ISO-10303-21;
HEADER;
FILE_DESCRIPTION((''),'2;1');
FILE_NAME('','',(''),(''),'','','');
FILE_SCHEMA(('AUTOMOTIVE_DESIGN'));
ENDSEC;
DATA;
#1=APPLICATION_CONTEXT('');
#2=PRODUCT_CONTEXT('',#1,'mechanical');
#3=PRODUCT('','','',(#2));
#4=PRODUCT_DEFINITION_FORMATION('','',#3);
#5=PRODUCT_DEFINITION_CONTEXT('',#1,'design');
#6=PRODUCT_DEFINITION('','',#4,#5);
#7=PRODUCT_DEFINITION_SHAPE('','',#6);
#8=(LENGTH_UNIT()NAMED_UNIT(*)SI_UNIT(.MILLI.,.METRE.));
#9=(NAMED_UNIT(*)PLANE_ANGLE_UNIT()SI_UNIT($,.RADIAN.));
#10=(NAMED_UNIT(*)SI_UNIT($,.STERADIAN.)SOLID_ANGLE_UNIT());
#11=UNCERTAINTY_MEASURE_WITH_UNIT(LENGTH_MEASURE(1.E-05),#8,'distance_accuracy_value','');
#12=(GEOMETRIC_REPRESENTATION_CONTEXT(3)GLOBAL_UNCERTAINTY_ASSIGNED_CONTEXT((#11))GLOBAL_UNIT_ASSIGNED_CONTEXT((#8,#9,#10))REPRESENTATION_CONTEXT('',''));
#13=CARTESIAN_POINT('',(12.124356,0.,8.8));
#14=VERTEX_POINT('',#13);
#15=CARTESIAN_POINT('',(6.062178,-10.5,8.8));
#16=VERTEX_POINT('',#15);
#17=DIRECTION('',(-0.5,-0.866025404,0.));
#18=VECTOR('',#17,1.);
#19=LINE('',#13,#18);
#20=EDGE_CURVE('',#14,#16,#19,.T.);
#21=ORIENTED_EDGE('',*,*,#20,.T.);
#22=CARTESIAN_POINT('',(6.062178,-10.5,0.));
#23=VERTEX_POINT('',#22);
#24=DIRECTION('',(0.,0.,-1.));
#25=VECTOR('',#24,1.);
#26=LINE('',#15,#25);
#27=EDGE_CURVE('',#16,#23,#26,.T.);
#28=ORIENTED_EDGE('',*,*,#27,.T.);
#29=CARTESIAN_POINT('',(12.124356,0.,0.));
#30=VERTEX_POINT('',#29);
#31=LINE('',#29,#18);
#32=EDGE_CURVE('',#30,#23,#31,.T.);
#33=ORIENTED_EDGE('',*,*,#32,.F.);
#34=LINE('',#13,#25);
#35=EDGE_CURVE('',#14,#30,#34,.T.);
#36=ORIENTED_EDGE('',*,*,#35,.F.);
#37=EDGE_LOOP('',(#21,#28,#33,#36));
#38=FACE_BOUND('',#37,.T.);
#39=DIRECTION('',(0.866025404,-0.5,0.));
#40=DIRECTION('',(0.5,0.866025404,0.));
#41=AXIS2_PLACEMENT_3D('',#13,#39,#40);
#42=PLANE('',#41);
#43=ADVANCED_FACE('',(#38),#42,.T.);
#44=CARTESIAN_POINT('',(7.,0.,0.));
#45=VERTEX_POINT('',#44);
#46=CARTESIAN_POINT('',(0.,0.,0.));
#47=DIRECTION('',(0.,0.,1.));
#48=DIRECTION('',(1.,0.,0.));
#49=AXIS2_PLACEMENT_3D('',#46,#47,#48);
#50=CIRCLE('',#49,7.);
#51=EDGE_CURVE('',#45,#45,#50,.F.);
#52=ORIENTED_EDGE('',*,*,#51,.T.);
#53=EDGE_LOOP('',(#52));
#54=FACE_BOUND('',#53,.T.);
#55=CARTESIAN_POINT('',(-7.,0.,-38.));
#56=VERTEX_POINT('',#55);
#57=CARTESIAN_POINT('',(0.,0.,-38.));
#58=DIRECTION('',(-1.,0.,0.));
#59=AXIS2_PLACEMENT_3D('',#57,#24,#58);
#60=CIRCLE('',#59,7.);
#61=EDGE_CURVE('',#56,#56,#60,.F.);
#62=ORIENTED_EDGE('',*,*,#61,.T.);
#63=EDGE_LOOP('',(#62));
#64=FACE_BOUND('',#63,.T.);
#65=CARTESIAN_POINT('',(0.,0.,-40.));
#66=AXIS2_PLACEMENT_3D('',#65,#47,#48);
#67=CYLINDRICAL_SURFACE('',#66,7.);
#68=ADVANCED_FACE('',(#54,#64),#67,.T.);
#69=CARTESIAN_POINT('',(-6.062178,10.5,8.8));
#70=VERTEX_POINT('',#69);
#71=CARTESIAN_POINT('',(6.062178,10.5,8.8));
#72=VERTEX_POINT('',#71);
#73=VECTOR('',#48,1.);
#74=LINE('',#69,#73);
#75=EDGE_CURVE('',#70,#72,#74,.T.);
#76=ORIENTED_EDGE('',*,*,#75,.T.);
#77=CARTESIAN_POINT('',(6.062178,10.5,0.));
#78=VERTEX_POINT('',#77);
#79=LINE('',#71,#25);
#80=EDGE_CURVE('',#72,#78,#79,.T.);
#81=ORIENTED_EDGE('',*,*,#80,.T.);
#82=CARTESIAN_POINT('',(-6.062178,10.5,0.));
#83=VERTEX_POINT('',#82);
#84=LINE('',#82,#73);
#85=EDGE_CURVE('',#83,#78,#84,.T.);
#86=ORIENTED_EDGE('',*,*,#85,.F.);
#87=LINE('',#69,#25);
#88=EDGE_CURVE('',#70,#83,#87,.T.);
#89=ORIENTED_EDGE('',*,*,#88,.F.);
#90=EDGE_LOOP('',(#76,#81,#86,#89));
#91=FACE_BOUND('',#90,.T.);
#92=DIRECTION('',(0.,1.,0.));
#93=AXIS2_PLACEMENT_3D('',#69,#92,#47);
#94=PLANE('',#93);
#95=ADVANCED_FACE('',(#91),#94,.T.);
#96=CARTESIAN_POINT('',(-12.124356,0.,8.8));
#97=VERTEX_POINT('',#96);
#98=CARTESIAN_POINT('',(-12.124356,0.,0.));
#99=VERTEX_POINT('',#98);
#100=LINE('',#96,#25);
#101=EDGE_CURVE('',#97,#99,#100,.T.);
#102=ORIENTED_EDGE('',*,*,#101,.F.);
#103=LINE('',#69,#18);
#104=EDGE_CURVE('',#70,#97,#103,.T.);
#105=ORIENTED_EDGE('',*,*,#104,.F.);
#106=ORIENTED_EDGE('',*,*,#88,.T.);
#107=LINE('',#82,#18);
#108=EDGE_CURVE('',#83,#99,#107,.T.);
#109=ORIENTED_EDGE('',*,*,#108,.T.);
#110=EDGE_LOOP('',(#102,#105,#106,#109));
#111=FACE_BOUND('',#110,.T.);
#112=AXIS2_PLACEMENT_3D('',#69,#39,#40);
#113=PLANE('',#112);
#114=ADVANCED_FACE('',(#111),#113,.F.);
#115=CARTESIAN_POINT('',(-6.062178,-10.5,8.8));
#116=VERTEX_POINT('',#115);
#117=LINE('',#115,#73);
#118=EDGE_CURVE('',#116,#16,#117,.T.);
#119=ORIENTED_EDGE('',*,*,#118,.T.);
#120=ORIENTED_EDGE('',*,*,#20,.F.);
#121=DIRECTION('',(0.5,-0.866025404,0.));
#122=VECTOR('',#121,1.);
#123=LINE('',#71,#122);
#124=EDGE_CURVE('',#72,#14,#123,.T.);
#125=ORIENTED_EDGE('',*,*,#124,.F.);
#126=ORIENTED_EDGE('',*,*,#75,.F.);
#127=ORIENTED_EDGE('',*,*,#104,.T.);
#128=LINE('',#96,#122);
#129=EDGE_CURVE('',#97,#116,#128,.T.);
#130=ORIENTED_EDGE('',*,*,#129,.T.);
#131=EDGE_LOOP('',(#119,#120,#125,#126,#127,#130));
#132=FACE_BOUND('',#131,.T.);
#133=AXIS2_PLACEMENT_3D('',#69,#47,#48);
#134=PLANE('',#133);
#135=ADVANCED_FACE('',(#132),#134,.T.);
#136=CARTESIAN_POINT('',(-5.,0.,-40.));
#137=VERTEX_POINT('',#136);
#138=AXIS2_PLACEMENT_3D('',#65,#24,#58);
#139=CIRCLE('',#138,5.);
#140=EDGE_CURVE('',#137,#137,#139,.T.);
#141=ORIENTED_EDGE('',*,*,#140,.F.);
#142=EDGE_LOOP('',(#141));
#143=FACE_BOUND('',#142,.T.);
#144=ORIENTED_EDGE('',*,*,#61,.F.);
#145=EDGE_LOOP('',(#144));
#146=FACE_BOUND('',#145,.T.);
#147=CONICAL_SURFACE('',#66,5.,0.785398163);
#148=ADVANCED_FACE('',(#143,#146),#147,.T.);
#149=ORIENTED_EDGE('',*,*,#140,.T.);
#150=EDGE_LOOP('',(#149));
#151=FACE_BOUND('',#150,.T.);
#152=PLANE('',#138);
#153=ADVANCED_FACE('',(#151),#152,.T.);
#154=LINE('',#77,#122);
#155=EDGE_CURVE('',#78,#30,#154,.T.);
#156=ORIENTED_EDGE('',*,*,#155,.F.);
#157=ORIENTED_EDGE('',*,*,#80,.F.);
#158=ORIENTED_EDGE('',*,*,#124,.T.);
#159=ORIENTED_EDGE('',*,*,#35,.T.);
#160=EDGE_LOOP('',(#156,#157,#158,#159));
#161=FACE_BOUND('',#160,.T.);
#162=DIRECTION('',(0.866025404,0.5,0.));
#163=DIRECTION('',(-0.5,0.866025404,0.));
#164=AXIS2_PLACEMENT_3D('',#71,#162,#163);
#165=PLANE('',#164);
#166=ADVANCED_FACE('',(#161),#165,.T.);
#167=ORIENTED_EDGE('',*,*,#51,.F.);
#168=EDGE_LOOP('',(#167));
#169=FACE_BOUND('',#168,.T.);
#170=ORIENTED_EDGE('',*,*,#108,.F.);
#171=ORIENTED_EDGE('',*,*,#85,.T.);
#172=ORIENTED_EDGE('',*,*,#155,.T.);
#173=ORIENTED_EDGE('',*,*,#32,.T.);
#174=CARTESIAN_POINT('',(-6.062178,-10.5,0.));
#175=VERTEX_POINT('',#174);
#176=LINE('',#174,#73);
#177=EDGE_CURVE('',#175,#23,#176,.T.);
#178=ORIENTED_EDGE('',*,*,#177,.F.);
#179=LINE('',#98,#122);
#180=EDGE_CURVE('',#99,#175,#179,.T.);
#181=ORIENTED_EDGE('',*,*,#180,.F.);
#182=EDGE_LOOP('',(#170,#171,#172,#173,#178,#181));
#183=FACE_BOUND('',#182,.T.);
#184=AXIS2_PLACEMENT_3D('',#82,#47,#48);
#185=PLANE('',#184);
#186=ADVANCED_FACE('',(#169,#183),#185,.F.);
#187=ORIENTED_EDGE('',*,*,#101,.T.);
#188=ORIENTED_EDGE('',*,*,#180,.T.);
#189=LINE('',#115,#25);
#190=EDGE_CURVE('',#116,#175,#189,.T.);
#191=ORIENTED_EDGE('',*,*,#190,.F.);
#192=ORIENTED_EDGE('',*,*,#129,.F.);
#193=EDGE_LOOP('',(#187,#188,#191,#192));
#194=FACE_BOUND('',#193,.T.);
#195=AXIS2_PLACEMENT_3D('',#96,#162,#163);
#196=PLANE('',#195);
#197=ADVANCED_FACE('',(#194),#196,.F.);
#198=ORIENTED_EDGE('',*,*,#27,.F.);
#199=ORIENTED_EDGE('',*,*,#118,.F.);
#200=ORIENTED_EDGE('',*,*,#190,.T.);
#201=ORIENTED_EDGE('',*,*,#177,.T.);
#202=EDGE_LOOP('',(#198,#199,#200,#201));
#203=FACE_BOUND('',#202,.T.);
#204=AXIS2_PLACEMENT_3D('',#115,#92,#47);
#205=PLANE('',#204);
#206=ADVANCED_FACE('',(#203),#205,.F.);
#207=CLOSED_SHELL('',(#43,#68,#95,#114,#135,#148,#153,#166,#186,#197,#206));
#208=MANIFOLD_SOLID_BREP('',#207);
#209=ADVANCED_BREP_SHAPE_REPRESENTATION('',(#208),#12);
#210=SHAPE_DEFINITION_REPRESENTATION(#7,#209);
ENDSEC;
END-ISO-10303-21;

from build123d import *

# Parameters (mm, degrees)
BASE_EXTRUDE_DEPTH  = 8.8
SKETCH3_R           = 7
BOSS_EXTRUDE1_DEPTH = 40
CHAMFER1_SIZE       = 2


with BuildPart() as part:
    # Sketch1 → Base-Extrude (new body)
    with BuildSketch(Plane.XY):
        Polygon((-6.062177826, 10.5), (6.062177826, 10.5), (12.124355653, 0), (6.062177826, -10.5), (-6.062177826, -10.5), (-12.124355653, 0), align=None)
    extrude(amount=BASE_EXTRUDE_DEPTH)

    # Sketch3 → Boss-Extrude1 (add)
    with BuildSketch(Plane(origin=(0, 0, 0), x_dir=(-1, 0, 0), z_dir=(0, 0, -1))):
        with Locations(Location((0, 0, 0), (0, 0, 180))):
            Circle(SKETCH3_R)
    extrude(amount=BOSS_EXTRUDE1_DEPTH)

    # Chamfer1
    chamfer1_edges = [part.edges().sort_by_distance(p)[0] for p in [
        (-7, 0, -40),
    ]]
    chamfer(chamfer1_edges, length=CHAMFER1_SIZE)


solid = part.part
